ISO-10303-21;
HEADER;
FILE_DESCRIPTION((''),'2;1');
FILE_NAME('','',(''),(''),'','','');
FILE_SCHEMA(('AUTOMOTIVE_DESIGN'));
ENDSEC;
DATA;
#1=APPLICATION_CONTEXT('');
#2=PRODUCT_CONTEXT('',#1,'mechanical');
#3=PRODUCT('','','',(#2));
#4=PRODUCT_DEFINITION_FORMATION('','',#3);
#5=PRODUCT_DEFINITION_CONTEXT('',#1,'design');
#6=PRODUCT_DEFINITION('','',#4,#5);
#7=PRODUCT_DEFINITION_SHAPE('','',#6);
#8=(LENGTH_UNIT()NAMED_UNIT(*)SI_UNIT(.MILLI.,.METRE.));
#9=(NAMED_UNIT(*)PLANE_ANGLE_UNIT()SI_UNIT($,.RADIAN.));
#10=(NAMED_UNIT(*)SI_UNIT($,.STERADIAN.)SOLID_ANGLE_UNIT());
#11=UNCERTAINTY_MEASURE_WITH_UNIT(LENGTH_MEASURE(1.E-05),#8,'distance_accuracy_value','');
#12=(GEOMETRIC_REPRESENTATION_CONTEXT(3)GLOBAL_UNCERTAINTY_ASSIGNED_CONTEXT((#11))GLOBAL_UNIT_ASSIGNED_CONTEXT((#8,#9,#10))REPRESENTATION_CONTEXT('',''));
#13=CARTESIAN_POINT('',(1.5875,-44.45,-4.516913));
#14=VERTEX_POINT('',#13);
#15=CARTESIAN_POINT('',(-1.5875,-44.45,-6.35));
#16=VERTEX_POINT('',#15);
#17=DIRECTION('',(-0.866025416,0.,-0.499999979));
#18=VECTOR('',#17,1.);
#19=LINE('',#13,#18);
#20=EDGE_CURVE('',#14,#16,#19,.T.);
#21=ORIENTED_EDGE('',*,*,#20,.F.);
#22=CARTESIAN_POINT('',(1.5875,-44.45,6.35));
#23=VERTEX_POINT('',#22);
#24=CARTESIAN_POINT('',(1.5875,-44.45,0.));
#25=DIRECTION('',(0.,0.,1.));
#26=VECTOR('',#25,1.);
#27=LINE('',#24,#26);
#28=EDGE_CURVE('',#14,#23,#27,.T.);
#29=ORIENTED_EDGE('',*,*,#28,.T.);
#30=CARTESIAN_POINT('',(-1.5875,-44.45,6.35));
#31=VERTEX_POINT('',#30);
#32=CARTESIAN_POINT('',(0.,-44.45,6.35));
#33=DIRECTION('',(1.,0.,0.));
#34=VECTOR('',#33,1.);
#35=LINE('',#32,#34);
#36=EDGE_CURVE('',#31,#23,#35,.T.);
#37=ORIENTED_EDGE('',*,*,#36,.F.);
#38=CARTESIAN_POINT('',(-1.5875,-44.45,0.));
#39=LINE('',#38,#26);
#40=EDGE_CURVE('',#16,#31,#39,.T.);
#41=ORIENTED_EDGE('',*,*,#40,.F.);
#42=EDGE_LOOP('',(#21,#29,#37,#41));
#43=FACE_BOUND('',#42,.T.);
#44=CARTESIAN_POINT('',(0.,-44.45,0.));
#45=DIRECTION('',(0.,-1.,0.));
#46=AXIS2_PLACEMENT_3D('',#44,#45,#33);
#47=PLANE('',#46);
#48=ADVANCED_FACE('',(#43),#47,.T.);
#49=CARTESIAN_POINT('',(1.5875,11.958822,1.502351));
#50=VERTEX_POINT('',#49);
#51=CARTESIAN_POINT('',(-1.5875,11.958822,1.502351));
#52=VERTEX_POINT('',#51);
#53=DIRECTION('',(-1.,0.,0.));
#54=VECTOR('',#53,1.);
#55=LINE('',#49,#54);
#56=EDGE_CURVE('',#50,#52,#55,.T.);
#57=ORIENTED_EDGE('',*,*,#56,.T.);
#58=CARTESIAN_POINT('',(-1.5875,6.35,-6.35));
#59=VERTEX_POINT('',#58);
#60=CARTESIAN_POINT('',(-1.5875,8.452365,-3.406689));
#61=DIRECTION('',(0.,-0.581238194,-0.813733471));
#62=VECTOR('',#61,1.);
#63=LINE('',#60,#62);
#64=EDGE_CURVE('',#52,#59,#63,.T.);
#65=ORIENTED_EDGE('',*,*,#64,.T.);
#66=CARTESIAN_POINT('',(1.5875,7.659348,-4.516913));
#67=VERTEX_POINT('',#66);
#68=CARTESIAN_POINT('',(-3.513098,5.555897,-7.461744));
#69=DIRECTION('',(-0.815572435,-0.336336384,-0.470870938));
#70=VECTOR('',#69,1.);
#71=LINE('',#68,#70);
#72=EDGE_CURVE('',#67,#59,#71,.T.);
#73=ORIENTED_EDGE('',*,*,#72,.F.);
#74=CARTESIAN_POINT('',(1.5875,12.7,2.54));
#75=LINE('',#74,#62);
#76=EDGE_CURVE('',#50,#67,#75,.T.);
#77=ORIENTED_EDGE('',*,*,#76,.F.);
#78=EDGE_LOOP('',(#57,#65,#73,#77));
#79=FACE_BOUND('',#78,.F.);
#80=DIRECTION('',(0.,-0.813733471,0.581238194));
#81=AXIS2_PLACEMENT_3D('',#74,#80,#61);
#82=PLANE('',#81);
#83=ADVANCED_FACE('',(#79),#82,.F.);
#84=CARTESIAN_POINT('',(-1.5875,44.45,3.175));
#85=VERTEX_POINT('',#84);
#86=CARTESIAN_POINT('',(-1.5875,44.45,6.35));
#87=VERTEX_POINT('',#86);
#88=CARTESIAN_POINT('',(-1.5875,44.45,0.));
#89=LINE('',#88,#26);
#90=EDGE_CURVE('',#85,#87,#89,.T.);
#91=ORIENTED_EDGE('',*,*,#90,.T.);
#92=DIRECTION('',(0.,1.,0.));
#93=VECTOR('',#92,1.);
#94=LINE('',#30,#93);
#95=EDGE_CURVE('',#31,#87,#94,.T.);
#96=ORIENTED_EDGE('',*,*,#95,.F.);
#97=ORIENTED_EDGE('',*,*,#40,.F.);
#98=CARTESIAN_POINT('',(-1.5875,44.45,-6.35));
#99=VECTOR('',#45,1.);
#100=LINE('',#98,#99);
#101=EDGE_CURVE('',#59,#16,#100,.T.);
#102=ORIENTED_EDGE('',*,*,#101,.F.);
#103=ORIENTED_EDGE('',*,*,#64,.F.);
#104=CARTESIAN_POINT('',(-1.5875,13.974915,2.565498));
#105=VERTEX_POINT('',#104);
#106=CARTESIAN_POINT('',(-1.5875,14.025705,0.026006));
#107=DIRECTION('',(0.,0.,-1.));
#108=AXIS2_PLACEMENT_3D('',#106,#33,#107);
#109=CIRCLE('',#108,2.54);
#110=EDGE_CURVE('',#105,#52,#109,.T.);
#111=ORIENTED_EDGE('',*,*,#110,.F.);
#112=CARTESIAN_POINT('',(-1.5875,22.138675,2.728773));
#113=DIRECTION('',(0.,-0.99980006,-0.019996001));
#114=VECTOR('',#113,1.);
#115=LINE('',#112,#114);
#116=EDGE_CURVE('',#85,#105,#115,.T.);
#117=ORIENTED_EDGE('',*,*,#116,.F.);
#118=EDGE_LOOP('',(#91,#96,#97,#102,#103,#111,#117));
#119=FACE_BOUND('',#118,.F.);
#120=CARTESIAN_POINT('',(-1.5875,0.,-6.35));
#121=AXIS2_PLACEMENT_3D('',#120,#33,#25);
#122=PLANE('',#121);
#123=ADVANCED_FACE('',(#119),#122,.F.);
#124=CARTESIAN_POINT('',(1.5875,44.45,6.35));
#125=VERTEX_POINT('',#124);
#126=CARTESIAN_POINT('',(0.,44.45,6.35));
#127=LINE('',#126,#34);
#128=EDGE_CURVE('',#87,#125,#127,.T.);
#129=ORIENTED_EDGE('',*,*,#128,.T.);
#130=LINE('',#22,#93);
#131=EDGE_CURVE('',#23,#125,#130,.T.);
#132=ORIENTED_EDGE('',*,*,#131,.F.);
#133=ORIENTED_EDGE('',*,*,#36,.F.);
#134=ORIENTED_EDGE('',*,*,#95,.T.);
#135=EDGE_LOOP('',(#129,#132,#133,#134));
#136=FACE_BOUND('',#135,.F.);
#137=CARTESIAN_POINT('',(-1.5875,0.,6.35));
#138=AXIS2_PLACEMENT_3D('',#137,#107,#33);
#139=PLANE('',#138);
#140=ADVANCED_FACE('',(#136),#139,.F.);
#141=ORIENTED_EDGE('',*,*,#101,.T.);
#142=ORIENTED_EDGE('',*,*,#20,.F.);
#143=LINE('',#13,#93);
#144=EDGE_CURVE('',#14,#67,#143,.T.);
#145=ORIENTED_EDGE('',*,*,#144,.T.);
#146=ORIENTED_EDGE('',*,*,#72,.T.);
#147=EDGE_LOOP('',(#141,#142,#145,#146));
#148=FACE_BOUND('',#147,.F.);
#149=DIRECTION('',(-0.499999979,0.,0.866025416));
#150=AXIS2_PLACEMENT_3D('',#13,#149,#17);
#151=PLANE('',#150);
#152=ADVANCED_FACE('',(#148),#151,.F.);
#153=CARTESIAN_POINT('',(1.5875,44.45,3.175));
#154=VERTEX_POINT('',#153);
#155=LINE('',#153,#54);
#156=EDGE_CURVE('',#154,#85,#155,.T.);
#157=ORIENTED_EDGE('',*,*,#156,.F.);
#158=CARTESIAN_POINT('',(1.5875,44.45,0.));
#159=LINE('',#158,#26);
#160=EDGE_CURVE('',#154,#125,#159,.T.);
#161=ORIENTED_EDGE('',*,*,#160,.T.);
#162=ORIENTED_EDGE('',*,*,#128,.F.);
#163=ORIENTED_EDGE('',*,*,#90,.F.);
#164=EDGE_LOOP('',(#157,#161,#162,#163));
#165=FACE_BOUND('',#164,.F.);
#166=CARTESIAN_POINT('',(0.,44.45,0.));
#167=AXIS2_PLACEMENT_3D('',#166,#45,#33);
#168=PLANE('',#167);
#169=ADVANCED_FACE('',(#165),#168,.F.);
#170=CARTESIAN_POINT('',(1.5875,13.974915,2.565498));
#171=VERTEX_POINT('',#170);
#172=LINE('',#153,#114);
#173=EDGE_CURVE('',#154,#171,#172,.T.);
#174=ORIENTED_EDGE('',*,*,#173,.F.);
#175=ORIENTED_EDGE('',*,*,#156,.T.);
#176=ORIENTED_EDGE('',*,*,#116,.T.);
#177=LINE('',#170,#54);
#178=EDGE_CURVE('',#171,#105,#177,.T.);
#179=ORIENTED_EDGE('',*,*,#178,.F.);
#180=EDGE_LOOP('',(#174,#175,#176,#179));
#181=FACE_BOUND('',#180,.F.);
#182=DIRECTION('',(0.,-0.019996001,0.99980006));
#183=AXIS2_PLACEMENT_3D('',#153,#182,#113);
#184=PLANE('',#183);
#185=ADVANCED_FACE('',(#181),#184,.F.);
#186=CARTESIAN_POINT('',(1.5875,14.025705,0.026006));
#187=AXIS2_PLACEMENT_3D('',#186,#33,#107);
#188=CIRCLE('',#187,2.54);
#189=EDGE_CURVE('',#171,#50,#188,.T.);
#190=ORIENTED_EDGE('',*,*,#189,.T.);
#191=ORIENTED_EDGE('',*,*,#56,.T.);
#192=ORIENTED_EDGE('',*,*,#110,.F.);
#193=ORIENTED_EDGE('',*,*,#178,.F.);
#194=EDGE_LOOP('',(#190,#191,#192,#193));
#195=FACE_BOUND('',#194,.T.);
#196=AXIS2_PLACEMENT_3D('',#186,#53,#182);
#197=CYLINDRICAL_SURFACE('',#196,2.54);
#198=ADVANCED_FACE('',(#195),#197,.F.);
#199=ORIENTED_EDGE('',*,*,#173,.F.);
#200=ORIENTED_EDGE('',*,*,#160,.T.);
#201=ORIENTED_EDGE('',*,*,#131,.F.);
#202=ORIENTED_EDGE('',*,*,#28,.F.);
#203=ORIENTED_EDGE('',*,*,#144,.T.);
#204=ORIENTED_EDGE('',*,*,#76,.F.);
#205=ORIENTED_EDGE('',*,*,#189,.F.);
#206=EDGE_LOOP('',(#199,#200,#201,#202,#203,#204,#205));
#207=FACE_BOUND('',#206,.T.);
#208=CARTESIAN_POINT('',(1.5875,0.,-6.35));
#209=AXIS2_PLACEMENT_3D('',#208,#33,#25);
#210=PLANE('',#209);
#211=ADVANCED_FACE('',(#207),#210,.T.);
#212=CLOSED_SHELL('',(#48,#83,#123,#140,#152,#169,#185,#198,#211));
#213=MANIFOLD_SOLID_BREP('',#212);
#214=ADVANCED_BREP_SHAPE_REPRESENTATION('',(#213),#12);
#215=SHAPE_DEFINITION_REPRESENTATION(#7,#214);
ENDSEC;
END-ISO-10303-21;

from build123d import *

# Parameters (mm, degrees)
F0_W     = 3.175
F0_H     = 12.7
F1_DEPTH = 44.45
F3_DEPTH = 3.176
F5_DEPTH = 82.55
F6_R     = 2.54


with BuildPart() as f1:
    # F0 (on Front) → F1 (new body, symmetric)
    with BuildSketch(Plane.XZ):
        Rectangle(F0_W, F0_H)
    extrude(amount=F1_DEPTH, both=True)

    # F2 (on face) → F3 (cut, through all)
    with BuildSketch(Plane.YZ.offset(1.5875)):
        Polygon((44.45, -6.35), (44.45, 3.175), (12.7, 2.54), (6.35, -6.35), align=None)
    extrude(amount=-F3_DEPTH, mode=Mode.SUBTRACT)

    # F4 (on face) → F5 (cut)
    with BuildSketch(Plane.XZ.offset(44.45)):
        Polygon((1.5875, -4.516913), (-1.5875, -6.35), (1.5875, -6.35), align=None)
    extrude(amount=-F5_DEPTH, mode=Mode.SUBTRACT)

    # F6
    f6_edges = [f1.edges().sort_by_distance(p)[0] for p in [
        (0, 12.7, 2.54),
    ]]
    fillet(f6_edges, radius=F6_R)


solid = f1.part
